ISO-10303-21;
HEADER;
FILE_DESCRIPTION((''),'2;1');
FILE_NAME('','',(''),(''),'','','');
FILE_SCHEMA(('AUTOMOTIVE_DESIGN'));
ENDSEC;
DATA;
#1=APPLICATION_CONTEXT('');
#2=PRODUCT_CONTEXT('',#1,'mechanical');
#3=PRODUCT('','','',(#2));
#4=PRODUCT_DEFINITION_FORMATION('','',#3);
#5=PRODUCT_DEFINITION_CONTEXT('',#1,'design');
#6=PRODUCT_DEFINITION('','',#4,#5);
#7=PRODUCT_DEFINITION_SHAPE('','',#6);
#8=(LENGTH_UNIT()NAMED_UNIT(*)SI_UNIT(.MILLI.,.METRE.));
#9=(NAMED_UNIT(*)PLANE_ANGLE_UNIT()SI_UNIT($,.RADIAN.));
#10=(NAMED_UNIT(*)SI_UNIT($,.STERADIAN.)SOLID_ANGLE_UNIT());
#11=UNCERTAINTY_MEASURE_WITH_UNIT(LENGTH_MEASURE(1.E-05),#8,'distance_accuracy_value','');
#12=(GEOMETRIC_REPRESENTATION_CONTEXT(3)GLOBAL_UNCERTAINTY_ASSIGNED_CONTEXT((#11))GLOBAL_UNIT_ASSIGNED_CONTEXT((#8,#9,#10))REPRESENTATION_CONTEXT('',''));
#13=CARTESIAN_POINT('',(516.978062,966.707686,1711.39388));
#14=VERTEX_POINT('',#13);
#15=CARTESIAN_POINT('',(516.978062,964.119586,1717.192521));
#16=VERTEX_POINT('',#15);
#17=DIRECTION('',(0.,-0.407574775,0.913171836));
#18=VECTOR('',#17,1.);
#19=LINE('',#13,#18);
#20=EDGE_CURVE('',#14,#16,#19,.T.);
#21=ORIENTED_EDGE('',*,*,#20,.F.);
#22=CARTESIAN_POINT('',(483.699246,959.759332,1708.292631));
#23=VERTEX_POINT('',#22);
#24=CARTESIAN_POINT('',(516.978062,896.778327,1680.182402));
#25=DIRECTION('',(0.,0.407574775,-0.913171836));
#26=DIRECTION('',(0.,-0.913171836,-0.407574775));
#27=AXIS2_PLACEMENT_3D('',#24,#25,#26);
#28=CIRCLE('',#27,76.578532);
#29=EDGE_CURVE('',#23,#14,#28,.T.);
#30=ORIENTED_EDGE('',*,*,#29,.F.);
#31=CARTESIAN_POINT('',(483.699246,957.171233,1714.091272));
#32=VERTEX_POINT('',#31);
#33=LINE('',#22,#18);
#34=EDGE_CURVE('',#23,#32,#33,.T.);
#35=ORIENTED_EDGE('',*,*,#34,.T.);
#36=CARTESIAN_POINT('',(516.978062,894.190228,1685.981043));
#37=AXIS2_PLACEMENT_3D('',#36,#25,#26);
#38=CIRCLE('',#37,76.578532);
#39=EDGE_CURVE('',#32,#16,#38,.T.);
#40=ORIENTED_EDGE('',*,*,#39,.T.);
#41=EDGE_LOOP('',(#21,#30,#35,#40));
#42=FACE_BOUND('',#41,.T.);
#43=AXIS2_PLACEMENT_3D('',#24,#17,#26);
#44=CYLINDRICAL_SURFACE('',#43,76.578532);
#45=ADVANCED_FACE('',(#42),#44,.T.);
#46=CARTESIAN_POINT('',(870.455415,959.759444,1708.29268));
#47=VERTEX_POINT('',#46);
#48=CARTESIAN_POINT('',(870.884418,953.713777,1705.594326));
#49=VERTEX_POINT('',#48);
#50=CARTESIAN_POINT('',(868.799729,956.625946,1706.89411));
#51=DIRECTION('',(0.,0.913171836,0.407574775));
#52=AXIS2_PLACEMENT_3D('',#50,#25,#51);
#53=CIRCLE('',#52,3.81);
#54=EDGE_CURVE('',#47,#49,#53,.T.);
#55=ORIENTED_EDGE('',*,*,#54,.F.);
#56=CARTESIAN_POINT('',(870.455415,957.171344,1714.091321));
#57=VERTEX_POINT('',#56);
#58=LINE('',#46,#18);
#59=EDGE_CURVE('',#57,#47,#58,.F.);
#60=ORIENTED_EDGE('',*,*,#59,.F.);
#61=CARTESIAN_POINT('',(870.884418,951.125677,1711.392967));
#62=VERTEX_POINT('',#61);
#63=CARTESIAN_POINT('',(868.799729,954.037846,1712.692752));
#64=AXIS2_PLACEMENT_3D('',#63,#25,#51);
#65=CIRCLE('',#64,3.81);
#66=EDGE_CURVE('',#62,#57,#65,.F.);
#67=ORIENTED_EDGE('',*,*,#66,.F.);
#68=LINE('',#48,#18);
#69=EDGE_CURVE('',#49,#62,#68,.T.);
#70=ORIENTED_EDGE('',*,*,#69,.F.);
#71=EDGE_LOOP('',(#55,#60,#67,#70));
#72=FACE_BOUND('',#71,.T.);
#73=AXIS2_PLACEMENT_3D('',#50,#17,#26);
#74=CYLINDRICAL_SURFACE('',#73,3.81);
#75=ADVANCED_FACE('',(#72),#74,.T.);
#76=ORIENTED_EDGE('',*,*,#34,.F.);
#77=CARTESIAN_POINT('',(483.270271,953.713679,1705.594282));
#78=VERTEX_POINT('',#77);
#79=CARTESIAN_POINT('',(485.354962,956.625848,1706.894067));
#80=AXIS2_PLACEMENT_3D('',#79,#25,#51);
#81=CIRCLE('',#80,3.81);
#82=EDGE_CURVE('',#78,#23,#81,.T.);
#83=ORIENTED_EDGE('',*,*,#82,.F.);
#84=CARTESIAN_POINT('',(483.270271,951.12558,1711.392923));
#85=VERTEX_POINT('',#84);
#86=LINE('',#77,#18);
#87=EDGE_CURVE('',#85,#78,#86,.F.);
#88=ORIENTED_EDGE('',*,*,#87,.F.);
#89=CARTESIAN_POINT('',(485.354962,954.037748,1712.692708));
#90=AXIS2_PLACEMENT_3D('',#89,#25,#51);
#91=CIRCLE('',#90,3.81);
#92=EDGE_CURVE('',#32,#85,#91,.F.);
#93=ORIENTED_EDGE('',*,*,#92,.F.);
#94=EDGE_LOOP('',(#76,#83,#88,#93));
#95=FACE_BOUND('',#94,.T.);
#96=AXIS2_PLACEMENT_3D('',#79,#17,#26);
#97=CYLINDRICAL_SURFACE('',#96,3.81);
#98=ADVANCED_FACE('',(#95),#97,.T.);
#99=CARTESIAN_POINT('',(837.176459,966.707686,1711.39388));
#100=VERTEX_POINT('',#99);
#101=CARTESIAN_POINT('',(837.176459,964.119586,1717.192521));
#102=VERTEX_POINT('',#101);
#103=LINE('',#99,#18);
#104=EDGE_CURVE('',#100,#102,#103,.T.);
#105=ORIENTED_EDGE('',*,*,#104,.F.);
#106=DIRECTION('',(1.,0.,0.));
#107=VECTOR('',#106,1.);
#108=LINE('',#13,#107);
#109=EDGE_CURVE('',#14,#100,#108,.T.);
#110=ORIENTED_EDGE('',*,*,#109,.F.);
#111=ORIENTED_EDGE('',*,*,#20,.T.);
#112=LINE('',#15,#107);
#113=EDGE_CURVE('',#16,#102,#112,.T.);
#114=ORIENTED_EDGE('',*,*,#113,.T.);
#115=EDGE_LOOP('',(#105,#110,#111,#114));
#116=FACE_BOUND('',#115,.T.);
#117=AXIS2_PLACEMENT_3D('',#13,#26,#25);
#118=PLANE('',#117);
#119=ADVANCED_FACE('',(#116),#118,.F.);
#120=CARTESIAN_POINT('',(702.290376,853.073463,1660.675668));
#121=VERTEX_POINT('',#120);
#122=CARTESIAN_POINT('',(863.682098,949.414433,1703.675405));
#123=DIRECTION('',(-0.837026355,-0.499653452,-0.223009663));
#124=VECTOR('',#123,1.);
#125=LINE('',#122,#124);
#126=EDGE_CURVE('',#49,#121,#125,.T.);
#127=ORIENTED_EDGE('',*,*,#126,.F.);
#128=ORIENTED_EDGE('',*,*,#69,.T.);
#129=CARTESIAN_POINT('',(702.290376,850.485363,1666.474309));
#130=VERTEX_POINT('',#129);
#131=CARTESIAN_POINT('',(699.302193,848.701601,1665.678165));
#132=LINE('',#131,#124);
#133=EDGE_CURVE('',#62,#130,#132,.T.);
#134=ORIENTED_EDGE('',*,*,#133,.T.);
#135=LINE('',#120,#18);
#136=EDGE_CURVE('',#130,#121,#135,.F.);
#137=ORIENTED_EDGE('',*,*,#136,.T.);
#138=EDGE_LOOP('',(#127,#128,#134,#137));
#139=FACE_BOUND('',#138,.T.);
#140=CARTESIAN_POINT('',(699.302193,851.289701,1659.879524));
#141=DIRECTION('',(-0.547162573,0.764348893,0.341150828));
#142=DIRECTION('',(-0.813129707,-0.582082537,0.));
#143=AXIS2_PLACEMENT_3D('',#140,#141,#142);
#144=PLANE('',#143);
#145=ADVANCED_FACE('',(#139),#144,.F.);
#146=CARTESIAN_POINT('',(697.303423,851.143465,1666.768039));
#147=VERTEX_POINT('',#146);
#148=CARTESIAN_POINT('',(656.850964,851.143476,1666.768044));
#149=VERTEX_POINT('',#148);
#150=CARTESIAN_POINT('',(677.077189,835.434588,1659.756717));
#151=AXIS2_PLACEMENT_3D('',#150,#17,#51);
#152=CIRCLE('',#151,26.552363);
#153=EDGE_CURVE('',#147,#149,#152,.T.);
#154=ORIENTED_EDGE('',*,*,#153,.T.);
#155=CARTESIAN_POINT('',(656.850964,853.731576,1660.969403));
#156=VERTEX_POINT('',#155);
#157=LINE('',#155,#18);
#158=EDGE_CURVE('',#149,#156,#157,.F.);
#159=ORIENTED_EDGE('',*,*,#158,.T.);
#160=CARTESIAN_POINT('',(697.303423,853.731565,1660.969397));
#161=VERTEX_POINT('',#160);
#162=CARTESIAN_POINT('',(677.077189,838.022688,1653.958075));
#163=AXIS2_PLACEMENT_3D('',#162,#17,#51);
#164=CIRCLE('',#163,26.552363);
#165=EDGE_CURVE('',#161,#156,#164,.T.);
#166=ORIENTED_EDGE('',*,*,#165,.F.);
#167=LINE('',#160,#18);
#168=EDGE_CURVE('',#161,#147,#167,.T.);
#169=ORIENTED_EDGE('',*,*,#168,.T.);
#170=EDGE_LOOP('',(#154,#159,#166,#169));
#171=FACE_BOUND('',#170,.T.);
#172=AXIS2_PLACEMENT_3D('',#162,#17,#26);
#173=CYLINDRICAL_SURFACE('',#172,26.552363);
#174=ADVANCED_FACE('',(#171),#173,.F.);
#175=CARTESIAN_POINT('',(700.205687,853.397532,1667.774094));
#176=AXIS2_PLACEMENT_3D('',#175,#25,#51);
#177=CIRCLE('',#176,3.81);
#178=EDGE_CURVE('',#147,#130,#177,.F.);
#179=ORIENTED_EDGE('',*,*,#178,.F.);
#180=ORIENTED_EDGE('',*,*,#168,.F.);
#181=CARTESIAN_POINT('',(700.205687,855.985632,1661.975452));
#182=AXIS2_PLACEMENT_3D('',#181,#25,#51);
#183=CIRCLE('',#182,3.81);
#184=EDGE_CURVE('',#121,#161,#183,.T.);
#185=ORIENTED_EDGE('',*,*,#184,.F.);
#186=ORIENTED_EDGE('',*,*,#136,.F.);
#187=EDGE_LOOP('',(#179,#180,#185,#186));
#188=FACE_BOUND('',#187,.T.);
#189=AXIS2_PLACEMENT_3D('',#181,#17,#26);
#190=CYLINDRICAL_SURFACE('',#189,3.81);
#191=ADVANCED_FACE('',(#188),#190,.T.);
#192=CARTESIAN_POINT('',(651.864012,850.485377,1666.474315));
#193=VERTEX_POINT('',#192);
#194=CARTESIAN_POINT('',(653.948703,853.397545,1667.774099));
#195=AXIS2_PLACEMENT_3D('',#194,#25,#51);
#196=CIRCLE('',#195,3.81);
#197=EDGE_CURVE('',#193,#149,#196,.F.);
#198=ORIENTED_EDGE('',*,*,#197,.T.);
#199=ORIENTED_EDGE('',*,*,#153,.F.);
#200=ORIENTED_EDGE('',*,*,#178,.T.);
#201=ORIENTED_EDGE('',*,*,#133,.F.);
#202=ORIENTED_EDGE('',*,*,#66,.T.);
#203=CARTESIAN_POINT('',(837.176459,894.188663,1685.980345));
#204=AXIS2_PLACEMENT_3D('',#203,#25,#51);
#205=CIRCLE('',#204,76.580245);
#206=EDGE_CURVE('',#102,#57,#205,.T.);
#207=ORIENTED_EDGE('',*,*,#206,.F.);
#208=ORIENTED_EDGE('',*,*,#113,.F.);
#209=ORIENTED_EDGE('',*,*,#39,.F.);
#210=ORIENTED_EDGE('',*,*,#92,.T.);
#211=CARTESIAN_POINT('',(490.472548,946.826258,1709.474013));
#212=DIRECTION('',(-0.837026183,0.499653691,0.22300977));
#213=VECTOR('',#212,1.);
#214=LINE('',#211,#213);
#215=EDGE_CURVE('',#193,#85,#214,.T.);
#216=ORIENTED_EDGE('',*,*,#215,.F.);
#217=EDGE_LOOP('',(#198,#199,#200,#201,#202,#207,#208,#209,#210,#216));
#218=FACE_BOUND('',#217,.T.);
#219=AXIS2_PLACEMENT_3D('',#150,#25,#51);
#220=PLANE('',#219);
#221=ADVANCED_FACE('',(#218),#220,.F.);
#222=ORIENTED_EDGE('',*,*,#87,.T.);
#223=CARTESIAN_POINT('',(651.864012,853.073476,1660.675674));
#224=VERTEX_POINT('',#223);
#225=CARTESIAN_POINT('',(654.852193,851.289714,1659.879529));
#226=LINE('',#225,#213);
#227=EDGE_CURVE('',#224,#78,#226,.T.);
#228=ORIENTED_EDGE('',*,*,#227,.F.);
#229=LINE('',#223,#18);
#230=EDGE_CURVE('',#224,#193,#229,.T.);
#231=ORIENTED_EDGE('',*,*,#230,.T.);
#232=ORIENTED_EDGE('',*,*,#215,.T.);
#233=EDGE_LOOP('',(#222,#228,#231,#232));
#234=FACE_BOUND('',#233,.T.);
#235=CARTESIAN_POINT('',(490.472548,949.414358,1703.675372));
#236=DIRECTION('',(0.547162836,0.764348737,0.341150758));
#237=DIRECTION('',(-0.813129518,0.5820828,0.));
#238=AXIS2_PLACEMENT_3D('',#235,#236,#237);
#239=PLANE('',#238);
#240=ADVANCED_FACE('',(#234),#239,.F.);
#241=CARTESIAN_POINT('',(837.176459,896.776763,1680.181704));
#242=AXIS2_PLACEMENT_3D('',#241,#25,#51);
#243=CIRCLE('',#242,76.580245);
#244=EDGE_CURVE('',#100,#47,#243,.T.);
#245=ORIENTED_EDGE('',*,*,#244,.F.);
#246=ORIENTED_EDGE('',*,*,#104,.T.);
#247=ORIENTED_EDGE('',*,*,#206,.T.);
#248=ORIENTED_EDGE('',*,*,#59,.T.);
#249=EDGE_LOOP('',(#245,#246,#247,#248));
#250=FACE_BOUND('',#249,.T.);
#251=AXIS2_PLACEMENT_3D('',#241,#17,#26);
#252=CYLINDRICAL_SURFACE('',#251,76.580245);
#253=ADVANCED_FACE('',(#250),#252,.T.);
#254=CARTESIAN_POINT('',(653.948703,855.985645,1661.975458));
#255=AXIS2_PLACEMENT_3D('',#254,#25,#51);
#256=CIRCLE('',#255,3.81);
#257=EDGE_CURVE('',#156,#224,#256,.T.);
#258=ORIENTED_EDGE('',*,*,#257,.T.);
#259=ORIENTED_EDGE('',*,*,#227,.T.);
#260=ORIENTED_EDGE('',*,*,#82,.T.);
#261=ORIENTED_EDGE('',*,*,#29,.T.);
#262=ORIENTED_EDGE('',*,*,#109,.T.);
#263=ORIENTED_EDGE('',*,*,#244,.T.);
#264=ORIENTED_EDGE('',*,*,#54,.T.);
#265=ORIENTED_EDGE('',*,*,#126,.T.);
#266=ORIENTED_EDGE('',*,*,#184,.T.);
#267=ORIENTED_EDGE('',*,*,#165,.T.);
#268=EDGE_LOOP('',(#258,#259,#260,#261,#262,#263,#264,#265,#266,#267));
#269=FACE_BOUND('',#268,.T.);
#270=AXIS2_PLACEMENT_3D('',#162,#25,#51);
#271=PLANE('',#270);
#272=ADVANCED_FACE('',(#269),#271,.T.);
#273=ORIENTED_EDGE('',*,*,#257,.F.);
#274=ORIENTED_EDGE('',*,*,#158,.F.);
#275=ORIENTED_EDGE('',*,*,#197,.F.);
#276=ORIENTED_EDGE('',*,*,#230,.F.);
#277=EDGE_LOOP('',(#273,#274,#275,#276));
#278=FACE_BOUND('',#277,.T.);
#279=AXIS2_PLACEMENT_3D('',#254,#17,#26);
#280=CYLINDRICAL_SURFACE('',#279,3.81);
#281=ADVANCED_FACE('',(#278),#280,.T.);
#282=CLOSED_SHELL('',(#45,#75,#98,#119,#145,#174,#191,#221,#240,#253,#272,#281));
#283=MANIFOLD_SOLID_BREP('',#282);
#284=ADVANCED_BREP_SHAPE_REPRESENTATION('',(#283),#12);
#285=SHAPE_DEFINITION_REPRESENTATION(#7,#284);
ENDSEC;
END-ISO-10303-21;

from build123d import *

# Parameters (mm, degrees)
BOSS_EXTRUDE1_DEPTH = 6.35
FILLET1_R           = 3.81


with BuildPart() as part:
    # Sketch3 → Boss-Extrude1 (new body)
    with BuildSketch(Plane(origin=(837.176459039, 964.119586349, 1717.192521197), x_dir=(-1, 0, 0), z_dir=(0, 0.4075747752498649, -0.913171836282757))):
        with BuildLine():
            Line((137.874265639, -126.392405854), (-26.505638525, -18.937567822))
            Line((-26.505638525, -18.937567822), (-39.07644953, -10.720052017))
            ThreePointArc((-39.07644953, -10.720052017), (-20.260111199, -2.728624711), (0, 0))
            Line((0, 0), (320.198396744, 0))
            ThreePointArc((320.198396744, 0), (340.458416927, -2.728663039), (359.274618149, -10.720195518))
            Line((359.274618149, -10.720195518), (346.703910708, -18.937649247))
            Line((346.703910708, -18.937649247), (182.324265639, -126.392391447))
            ThreePointArc((182.324265639, -126.392391447), (160.099261742, -114.368537545), (137.874265639, -126.392405854))
        make_face()
    extrude(amount=BOSS_EXTRUDE1_DEPTH)

    # Fillet1
    fillet1_edges = [part.edges().sort_by_distance(p)[0] for p in [
        (699.3021934, 849.995650915, 1662.778844207),
        (876.252908569, 955.624386675, 1709.923977825),
        (477.90184089, 955.624255635, 1709.923919338),
        (654.8521934, 849.995664071, 1662.778850079),
    ]]
    fillet(fillet1_edges, radius=FILLET1_R)


solid = part.part
